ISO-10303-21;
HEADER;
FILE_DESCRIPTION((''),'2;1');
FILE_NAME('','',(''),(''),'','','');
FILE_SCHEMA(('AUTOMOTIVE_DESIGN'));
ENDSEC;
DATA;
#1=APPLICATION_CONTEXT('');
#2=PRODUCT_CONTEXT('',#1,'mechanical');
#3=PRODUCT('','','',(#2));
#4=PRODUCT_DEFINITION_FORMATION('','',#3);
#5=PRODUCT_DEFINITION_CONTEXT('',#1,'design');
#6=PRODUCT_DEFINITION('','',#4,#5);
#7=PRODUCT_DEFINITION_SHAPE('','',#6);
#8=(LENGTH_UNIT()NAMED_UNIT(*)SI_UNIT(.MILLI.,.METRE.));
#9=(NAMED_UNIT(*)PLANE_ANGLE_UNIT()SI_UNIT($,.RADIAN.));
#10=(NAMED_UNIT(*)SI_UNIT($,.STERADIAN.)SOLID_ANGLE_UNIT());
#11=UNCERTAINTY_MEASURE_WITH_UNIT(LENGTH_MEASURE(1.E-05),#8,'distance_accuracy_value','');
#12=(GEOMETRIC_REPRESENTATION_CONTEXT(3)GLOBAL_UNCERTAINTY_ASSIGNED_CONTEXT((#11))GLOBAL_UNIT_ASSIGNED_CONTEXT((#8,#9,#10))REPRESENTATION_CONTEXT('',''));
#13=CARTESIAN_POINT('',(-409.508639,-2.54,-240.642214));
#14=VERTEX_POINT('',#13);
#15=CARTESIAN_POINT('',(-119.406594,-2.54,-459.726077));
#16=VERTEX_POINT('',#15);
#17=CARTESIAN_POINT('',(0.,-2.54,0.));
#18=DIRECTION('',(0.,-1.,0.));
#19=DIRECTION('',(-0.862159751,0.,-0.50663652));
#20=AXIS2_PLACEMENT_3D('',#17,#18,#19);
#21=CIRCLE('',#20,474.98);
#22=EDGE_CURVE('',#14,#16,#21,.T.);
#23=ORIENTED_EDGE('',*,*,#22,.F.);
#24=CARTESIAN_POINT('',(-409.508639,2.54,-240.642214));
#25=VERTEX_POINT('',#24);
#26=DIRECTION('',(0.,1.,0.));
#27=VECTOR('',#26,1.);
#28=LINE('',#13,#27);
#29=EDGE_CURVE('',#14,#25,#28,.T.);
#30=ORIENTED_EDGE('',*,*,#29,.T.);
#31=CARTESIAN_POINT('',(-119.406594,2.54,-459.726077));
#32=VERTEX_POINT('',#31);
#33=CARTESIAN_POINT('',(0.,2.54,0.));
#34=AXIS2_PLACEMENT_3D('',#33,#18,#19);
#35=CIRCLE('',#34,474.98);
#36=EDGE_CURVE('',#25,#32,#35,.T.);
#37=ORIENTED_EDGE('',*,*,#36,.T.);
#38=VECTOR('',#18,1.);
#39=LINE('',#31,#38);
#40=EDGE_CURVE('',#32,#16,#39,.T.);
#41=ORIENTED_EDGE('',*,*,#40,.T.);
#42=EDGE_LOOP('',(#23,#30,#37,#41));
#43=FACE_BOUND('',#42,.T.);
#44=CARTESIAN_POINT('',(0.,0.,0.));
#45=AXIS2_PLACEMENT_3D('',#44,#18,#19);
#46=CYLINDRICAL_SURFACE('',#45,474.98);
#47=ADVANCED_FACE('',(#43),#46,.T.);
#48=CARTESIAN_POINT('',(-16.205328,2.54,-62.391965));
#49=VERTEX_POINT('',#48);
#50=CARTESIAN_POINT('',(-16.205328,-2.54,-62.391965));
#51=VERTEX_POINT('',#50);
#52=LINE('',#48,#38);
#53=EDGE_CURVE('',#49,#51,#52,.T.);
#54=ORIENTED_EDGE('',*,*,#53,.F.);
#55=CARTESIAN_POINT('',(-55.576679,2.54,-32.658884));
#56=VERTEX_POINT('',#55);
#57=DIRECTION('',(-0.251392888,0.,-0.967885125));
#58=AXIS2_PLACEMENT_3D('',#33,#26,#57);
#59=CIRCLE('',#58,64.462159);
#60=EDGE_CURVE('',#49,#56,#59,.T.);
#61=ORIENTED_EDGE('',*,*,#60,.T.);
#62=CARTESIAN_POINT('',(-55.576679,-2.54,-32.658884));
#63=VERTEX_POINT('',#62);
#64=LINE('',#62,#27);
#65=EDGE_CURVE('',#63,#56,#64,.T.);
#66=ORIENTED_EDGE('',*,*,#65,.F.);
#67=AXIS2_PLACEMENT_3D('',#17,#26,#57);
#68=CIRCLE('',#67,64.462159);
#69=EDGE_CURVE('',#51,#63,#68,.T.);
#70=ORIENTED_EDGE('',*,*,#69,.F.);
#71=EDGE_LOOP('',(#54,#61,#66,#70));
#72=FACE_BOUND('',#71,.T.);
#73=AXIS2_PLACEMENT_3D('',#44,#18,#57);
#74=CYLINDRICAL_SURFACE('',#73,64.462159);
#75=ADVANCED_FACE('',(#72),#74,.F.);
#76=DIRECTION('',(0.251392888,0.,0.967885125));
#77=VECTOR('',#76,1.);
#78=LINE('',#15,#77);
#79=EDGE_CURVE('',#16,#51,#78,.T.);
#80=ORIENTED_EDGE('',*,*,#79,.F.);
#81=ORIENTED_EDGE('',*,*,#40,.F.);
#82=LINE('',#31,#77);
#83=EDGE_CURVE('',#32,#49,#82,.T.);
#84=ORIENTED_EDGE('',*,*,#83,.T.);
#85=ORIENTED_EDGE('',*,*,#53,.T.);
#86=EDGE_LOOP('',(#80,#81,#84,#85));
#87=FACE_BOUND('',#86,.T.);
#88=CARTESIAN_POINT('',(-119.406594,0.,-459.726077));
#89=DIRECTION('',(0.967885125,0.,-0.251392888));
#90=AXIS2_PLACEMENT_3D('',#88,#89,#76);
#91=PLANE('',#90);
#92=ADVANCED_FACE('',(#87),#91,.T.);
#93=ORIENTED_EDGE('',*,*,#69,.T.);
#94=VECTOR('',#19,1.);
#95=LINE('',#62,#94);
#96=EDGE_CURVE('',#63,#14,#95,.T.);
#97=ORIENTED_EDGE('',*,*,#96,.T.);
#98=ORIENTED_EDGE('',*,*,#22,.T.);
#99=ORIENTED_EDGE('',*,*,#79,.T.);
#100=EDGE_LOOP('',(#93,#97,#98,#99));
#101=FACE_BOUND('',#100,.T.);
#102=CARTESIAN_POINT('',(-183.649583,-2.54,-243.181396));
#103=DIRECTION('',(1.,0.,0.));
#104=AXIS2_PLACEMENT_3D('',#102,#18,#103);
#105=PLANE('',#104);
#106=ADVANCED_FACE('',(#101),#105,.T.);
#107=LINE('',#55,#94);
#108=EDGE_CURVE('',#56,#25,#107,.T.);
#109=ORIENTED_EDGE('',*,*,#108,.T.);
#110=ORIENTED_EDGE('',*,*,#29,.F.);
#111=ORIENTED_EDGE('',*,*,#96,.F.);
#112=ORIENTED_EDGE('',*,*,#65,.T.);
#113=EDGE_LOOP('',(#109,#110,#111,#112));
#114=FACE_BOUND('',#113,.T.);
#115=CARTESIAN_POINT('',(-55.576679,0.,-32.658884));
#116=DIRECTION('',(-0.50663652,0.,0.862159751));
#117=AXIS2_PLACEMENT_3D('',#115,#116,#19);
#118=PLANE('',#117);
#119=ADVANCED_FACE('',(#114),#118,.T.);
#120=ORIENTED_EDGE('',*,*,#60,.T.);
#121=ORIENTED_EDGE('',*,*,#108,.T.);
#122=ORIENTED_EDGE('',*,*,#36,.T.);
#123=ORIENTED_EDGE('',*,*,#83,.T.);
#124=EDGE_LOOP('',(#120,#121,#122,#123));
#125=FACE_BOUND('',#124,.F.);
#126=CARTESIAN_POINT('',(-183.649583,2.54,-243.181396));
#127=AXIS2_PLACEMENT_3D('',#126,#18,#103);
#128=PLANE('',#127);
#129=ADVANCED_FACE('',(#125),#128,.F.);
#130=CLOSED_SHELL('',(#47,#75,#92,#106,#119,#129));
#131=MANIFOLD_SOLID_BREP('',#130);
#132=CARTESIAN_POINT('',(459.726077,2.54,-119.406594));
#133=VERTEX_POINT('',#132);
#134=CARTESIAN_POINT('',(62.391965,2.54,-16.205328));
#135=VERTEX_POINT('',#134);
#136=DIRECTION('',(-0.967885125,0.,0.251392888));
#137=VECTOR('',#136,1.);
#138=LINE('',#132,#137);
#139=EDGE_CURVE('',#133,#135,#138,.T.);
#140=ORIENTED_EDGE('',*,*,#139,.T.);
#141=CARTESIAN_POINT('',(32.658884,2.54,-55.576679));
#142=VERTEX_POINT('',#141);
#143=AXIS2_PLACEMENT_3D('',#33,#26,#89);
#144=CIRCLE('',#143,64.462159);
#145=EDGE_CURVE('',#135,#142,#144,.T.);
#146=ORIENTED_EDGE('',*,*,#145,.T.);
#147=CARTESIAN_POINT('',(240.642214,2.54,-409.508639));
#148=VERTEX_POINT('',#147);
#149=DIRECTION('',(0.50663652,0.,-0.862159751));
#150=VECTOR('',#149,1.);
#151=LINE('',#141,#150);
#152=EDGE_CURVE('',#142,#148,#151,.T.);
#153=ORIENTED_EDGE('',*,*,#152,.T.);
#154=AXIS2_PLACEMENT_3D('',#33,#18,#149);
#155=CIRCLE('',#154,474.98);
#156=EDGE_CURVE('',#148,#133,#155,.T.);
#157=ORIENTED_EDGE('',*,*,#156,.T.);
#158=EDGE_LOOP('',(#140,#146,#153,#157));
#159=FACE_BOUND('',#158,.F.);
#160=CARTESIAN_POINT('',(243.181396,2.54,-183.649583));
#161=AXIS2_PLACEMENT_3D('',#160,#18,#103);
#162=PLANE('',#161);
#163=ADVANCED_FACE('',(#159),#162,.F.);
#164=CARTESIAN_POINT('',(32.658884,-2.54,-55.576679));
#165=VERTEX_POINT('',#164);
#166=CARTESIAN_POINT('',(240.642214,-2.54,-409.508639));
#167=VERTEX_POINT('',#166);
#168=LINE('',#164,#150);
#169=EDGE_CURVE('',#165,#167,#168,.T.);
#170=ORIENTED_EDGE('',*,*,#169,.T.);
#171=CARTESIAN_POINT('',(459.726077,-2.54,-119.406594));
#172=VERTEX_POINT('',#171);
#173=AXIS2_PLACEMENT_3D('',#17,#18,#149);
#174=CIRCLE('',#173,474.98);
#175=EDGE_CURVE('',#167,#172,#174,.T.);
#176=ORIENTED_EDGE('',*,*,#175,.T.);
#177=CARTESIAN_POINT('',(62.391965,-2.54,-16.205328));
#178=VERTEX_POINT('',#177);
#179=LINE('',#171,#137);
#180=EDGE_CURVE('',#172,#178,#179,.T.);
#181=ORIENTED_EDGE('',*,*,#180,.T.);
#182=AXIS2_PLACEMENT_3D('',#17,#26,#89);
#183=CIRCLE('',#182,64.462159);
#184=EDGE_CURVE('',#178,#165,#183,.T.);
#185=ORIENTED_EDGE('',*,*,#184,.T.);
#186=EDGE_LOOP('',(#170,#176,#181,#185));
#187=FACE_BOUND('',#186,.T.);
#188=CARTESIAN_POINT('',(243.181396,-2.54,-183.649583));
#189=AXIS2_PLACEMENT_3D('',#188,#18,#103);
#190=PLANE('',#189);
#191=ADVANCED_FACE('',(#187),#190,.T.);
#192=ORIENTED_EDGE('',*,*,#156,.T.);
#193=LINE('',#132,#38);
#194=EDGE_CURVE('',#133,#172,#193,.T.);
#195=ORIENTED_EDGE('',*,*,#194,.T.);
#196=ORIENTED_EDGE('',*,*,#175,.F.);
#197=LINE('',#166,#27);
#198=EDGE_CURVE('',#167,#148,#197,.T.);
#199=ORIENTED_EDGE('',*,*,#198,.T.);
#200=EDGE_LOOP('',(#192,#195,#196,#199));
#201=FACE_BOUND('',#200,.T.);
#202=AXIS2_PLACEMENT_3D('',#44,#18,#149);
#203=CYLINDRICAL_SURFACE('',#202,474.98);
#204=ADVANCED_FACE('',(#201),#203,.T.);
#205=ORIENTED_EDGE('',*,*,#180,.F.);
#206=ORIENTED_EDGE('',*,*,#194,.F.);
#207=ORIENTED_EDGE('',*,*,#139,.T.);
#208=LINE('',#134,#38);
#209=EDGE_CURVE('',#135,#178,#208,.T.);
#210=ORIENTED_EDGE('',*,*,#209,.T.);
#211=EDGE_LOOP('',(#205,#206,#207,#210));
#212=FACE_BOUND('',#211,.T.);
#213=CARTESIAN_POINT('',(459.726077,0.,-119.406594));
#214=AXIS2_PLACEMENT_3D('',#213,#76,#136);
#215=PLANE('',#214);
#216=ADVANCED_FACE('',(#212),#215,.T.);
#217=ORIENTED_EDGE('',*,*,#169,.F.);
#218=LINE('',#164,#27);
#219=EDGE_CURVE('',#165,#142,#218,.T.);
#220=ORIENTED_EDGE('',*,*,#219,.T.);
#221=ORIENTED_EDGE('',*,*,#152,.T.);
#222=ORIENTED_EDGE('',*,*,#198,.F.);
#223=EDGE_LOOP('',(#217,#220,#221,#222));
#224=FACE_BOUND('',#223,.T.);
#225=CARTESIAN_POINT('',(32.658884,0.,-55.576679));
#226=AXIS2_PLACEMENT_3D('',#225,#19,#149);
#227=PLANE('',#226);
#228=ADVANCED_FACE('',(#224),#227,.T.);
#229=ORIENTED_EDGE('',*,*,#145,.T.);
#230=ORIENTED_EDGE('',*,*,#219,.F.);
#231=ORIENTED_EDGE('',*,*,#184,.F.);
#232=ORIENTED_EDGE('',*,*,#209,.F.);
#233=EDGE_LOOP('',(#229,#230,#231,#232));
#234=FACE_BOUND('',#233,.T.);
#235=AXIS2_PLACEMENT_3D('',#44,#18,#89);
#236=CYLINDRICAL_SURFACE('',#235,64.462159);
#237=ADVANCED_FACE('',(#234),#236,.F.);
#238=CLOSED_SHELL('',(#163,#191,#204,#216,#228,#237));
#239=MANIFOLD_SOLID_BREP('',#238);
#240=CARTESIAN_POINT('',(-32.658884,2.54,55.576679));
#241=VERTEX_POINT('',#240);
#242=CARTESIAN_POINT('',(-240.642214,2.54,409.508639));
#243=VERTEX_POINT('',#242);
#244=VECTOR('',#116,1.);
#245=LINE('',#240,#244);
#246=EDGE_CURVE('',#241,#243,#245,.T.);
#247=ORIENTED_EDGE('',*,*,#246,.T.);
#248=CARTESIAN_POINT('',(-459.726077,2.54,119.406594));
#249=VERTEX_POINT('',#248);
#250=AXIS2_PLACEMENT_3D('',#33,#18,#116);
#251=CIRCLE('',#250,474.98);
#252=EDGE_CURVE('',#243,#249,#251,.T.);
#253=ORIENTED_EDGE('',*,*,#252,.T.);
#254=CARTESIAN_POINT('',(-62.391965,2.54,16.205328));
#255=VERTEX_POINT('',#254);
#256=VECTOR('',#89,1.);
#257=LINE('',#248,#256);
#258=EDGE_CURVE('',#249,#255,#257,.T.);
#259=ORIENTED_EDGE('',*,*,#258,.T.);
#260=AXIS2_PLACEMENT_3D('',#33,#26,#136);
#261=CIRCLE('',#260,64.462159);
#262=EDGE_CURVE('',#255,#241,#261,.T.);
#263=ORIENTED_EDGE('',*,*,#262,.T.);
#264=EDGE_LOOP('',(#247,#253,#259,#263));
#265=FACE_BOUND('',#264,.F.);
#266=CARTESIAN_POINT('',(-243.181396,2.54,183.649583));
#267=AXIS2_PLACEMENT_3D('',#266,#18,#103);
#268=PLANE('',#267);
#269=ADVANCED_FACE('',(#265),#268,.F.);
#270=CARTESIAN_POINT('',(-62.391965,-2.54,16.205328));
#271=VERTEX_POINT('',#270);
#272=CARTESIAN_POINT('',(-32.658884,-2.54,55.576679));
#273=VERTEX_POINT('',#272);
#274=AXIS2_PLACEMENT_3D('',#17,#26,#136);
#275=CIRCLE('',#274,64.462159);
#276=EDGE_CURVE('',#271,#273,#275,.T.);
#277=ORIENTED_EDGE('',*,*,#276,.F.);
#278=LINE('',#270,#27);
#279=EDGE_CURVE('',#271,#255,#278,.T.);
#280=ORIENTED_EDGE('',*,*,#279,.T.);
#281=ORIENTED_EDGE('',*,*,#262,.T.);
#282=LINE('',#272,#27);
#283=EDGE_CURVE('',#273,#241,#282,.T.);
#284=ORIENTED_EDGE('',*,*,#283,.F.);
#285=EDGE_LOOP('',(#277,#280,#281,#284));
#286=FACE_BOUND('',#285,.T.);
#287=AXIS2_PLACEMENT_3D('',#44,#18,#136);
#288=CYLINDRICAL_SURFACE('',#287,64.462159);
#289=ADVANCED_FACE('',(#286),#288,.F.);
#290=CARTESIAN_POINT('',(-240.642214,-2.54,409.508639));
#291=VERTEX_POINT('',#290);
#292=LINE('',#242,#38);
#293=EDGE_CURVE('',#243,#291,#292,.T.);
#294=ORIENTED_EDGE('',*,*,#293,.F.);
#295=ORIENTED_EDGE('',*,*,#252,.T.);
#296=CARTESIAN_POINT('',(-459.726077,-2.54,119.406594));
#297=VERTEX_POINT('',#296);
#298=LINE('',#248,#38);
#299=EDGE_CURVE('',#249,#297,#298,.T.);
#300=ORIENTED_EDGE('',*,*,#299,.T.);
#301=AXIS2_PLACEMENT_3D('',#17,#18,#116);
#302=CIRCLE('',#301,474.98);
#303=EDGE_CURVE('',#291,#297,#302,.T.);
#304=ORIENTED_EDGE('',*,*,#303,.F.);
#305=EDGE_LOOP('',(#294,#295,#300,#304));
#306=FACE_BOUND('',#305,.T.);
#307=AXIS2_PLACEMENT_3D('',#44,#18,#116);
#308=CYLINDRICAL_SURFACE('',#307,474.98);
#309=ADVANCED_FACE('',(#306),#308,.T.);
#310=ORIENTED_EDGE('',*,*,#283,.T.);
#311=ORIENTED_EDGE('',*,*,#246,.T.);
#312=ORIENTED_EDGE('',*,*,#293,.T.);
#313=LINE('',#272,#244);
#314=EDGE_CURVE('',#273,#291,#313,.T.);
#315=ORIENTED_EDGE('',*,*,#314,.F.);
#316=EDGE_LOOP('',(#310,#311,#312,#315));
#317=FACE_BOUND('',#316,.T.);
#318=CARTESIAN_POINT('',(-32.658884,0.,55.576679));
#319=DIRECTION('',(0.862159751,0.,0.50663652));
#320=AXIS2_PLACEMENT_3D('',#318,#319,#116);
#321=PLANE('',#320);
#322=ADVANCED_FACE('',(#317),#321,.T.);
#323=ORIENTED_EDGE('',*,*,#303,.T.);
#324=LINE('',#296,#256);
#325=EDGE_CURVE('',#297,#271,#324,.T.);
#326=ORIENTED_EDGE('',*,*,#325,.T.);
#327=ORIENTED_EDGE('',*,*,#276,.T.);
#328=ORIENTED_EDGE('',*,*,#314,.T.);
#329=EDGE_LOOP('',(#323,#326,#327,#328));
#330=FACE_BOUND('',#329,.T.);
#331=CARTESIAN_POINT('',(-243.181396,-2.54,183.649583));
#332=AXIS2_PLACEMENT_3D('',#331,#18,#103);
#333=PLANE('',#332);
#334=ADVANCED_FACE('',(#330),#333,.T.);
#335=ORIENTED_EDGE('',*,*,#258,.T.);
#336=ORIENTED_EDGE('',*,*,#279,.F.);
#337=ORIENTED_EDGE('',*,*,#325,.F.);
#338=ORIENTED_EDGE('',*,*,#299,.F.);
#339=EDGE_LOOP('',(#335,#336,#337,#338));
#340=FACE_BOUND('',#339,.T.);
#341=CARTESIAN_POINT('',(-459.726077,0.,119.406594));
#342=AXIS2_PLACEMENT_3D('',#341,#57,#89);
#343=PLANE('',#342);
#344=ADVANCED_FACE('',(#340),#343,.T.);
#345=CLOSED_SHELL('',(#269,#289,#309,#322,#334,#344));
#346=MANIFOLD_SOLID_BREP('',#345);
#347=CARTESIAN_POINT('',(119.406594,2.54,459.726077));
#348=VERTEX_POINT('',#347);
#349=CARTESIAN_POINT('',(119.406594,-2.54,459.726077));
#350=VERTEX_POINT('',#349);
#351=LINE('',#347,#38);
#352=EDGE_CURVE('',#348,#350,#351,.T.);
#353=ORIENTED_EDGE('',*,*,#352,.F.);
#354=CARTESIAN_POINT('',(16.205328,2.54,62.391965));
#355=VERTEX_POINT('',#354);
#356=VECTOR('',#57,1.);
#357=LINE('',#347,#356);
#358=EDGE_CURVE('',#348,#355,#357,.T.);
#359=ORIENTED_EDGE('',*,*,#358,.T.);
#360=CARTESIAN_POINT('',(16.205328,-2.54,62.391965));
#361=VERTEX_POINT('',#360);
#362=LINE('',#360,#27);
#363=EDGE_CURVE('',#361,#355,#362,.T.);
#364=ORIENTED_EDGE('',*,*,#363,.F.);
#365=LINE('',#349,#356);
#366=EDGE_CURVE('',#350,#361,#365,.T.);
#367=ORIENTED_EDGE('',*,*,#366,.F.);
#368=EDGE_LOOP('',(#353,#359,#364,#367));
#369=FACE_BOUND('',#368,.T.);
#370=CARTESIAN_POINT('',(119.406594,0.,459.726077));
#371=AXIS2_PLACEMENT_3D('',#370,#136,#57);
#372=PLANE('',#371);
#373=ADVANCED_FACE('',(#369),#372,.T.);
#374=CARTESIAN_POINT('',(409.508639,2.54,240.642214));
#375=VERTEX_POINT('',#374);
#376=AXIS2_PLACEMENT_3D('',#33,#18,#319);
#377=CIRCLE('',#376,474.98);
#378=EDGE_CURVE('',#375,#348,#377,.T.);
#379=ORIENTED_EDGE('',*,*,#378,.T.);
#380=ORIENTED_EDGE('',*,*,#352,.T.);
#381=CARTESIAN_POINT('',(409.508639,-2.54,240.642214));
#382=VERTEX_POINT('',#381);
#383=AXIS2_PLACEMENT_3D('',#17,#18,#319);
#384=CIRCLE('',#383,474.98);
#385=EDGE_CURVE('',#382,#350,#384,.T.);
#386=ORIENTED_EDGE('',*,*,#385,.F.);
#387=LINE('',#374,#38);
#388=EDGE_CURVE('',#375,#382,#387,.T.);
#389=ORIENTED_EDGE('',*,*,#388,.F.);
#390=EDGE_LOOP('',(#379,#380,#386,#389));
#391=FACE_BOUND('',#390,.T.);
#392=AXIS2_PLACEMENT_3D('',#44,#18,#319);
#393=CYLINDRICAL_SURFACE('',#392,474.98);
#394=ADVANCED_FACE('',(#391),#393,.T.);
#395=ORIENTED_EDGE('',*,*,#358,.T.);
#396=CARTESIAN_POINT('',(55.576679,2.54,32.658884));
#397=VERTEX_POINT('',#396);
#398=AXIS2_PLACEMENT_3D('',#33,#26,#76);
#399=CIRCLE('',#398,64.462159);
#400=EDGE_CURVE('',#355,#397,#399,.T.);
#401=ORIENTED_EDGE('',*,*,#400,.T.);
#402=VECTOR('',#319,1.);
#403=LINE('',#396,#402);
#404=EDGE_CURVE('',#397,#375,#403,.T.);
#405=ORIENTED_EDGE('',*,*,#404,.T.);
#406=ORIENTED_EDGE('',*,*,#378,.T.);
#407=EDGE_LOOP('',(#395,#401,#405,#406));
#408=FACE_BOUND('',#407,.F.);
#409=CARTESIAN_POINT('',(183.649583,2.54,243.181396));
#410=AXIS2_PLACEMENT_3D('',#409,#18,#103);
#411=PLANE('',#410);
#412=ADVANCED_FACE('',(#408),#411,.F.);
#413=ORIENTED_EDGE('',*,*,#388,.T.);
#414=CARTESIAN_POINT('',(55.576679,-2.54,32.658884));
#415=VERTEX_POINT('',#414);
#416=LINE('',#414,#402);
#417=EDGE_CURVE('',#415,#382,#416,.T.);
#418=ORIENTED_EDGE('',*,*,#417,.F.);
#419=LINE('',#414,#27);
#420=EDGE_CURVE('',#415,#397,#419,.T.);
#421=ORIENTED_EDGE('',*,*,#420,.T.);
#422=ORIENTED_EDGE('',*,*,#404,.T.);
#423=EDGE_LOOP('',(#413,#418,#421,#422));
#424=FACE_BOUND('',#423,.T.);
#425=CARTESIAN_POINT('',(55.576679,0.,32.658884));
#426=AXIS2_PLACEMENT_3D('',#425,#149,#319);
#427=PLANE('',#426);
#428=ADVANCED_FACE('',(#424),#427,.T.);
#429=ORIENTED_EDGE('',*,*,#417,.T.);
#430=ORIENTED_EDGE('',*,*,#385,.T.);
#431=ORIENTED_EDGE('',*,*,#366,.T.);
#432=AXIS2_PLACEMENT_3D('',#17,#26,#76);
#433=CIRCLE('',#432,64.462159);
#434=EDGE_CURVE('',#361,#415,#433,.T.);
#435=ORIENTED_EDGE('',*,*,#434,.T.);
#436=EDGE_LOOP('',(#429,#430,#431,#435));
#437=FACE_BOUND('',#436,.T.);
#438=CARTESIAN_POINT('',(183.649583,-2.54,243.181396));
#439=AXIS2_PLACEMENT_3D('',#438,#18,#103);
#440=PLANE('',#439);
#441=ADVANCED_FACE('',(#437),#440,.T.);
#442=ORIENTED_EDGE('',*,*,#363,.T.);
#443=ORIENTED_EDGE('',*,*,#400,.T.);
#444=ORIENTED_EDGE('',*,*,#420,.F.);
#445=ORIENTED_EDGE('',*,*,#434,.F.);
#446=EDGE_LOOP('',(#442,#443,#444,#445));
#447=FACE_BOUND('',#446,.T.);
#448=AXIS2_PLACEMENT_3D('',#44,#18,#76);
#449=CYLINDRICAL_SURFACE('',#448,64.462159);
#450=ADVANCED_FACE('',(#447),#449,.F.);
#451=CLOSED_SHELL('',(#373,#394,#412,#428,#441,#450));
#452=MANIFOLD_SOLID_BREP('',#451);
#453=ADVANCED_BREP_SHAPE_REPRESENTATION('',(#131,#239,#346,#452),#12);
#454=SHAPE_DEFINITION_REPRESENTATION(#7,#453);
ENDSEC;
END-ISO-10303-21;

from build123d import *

# Parameters (mm, degrees)
F3_DEPTH = 2.54


with BuildPart() as f3:
    # F0 (on Front) → F3 (new body, symmetric)
    with BuildSketch(Plane.XZ):
        with BuildLine():
            Line((55.5766792975, 32.6588840608), (409.5086387626, 240.6422140416))
            ThreePointArc((409.5086387626, 240.6422140416), (286.2468612979, 379.036587676), (119.4065940349, 459.726076812))
            Line((119.4065940349, 459.726076812), (16.2053284217, 62.3919651925))
            ThreePointArc((16.2053284217, 62.3919651925), (38.8481426383, 51.4411489314), (55.5766792975, 32.6588840608))
        make_face()
    extrude(amount=F3_DEPTH, both=True)


with BuildPart() as f3b:
    # F0 (on Front) → F3, piece 2 (new body, symmetric)
    with BuildSketch(Plane.XZ):
        with BuildLine():
            Line((-32.6588840608, 55.5766792975), (-240.6422140416, 409.5086387626))
            ThreePointArc((-240.6422140416, 409.5086387626), (-379.036587676, 286.2468612979), (-459.726076812, 119.4065940349))
            Line((-459.726076812, 119.4065940349), (-62.3919651925, 16.2053284217))
            ThreePointArc((-62.3919651925, 16.2053284217), (-51.4411489314, 38.8481426383), (-32.6588840608, 55.5766792975))
        make_face()
    extrude(amount=F3_DEPTH, both=True)


with BuildPart() as f3c:
    # F0 (on Front) → F3, piece 3 (new body, symmetric)
    with BuildSketch(Plane.XZ):
        with BuildLine():
            ThreePointArc((-409.5086387626, -240.6422140416), (-286.2468612979, -379.036587676), (-119.4065940349, -459.726076812))
            Line((-119.4065940349, -459.726076812), (-16.2053284217, -62.3919651925))
            ThreePointArc((-16.2053284217, -62.3919651925), (-38.8481426383, -51.4411489314), (-55.5766792975, -32.6588840608))
            Line((-55.5766792975, -32.6588840608), (-409.5086387626, -240.6422140416))
        make_face()
    extrude(amount=F3_DEPTH, both=True)


with BuildPart() as f3d:
    # F0 (on Front) → F3, piece 4 (new body, symmetric)
    with BuildSketch(Plane.XZ):
        with BuildLine():
            ThreePointArc((240.6422140416, -409.5086387626), (379.036587676, -286.2468612979), (459.726076812, -119.4065940349))
            Line((459.726076812, -119.4065940349), (62.3919651925, -16.2053284217))
            ThreePointArc((62.3919651925, -16.2053284217), (51.4411489314, -38.8481426383), (32.6588840608, -55.5766792975))
            Line((32.6588840608, -55.5766792975), (240.6422140416, -409.5086387626))
        make_face()
    extrude(amount=F3_DEPTH, both=True)


solid = Compound([f3.part, f3b.part, f3c.part, f3d.part])
